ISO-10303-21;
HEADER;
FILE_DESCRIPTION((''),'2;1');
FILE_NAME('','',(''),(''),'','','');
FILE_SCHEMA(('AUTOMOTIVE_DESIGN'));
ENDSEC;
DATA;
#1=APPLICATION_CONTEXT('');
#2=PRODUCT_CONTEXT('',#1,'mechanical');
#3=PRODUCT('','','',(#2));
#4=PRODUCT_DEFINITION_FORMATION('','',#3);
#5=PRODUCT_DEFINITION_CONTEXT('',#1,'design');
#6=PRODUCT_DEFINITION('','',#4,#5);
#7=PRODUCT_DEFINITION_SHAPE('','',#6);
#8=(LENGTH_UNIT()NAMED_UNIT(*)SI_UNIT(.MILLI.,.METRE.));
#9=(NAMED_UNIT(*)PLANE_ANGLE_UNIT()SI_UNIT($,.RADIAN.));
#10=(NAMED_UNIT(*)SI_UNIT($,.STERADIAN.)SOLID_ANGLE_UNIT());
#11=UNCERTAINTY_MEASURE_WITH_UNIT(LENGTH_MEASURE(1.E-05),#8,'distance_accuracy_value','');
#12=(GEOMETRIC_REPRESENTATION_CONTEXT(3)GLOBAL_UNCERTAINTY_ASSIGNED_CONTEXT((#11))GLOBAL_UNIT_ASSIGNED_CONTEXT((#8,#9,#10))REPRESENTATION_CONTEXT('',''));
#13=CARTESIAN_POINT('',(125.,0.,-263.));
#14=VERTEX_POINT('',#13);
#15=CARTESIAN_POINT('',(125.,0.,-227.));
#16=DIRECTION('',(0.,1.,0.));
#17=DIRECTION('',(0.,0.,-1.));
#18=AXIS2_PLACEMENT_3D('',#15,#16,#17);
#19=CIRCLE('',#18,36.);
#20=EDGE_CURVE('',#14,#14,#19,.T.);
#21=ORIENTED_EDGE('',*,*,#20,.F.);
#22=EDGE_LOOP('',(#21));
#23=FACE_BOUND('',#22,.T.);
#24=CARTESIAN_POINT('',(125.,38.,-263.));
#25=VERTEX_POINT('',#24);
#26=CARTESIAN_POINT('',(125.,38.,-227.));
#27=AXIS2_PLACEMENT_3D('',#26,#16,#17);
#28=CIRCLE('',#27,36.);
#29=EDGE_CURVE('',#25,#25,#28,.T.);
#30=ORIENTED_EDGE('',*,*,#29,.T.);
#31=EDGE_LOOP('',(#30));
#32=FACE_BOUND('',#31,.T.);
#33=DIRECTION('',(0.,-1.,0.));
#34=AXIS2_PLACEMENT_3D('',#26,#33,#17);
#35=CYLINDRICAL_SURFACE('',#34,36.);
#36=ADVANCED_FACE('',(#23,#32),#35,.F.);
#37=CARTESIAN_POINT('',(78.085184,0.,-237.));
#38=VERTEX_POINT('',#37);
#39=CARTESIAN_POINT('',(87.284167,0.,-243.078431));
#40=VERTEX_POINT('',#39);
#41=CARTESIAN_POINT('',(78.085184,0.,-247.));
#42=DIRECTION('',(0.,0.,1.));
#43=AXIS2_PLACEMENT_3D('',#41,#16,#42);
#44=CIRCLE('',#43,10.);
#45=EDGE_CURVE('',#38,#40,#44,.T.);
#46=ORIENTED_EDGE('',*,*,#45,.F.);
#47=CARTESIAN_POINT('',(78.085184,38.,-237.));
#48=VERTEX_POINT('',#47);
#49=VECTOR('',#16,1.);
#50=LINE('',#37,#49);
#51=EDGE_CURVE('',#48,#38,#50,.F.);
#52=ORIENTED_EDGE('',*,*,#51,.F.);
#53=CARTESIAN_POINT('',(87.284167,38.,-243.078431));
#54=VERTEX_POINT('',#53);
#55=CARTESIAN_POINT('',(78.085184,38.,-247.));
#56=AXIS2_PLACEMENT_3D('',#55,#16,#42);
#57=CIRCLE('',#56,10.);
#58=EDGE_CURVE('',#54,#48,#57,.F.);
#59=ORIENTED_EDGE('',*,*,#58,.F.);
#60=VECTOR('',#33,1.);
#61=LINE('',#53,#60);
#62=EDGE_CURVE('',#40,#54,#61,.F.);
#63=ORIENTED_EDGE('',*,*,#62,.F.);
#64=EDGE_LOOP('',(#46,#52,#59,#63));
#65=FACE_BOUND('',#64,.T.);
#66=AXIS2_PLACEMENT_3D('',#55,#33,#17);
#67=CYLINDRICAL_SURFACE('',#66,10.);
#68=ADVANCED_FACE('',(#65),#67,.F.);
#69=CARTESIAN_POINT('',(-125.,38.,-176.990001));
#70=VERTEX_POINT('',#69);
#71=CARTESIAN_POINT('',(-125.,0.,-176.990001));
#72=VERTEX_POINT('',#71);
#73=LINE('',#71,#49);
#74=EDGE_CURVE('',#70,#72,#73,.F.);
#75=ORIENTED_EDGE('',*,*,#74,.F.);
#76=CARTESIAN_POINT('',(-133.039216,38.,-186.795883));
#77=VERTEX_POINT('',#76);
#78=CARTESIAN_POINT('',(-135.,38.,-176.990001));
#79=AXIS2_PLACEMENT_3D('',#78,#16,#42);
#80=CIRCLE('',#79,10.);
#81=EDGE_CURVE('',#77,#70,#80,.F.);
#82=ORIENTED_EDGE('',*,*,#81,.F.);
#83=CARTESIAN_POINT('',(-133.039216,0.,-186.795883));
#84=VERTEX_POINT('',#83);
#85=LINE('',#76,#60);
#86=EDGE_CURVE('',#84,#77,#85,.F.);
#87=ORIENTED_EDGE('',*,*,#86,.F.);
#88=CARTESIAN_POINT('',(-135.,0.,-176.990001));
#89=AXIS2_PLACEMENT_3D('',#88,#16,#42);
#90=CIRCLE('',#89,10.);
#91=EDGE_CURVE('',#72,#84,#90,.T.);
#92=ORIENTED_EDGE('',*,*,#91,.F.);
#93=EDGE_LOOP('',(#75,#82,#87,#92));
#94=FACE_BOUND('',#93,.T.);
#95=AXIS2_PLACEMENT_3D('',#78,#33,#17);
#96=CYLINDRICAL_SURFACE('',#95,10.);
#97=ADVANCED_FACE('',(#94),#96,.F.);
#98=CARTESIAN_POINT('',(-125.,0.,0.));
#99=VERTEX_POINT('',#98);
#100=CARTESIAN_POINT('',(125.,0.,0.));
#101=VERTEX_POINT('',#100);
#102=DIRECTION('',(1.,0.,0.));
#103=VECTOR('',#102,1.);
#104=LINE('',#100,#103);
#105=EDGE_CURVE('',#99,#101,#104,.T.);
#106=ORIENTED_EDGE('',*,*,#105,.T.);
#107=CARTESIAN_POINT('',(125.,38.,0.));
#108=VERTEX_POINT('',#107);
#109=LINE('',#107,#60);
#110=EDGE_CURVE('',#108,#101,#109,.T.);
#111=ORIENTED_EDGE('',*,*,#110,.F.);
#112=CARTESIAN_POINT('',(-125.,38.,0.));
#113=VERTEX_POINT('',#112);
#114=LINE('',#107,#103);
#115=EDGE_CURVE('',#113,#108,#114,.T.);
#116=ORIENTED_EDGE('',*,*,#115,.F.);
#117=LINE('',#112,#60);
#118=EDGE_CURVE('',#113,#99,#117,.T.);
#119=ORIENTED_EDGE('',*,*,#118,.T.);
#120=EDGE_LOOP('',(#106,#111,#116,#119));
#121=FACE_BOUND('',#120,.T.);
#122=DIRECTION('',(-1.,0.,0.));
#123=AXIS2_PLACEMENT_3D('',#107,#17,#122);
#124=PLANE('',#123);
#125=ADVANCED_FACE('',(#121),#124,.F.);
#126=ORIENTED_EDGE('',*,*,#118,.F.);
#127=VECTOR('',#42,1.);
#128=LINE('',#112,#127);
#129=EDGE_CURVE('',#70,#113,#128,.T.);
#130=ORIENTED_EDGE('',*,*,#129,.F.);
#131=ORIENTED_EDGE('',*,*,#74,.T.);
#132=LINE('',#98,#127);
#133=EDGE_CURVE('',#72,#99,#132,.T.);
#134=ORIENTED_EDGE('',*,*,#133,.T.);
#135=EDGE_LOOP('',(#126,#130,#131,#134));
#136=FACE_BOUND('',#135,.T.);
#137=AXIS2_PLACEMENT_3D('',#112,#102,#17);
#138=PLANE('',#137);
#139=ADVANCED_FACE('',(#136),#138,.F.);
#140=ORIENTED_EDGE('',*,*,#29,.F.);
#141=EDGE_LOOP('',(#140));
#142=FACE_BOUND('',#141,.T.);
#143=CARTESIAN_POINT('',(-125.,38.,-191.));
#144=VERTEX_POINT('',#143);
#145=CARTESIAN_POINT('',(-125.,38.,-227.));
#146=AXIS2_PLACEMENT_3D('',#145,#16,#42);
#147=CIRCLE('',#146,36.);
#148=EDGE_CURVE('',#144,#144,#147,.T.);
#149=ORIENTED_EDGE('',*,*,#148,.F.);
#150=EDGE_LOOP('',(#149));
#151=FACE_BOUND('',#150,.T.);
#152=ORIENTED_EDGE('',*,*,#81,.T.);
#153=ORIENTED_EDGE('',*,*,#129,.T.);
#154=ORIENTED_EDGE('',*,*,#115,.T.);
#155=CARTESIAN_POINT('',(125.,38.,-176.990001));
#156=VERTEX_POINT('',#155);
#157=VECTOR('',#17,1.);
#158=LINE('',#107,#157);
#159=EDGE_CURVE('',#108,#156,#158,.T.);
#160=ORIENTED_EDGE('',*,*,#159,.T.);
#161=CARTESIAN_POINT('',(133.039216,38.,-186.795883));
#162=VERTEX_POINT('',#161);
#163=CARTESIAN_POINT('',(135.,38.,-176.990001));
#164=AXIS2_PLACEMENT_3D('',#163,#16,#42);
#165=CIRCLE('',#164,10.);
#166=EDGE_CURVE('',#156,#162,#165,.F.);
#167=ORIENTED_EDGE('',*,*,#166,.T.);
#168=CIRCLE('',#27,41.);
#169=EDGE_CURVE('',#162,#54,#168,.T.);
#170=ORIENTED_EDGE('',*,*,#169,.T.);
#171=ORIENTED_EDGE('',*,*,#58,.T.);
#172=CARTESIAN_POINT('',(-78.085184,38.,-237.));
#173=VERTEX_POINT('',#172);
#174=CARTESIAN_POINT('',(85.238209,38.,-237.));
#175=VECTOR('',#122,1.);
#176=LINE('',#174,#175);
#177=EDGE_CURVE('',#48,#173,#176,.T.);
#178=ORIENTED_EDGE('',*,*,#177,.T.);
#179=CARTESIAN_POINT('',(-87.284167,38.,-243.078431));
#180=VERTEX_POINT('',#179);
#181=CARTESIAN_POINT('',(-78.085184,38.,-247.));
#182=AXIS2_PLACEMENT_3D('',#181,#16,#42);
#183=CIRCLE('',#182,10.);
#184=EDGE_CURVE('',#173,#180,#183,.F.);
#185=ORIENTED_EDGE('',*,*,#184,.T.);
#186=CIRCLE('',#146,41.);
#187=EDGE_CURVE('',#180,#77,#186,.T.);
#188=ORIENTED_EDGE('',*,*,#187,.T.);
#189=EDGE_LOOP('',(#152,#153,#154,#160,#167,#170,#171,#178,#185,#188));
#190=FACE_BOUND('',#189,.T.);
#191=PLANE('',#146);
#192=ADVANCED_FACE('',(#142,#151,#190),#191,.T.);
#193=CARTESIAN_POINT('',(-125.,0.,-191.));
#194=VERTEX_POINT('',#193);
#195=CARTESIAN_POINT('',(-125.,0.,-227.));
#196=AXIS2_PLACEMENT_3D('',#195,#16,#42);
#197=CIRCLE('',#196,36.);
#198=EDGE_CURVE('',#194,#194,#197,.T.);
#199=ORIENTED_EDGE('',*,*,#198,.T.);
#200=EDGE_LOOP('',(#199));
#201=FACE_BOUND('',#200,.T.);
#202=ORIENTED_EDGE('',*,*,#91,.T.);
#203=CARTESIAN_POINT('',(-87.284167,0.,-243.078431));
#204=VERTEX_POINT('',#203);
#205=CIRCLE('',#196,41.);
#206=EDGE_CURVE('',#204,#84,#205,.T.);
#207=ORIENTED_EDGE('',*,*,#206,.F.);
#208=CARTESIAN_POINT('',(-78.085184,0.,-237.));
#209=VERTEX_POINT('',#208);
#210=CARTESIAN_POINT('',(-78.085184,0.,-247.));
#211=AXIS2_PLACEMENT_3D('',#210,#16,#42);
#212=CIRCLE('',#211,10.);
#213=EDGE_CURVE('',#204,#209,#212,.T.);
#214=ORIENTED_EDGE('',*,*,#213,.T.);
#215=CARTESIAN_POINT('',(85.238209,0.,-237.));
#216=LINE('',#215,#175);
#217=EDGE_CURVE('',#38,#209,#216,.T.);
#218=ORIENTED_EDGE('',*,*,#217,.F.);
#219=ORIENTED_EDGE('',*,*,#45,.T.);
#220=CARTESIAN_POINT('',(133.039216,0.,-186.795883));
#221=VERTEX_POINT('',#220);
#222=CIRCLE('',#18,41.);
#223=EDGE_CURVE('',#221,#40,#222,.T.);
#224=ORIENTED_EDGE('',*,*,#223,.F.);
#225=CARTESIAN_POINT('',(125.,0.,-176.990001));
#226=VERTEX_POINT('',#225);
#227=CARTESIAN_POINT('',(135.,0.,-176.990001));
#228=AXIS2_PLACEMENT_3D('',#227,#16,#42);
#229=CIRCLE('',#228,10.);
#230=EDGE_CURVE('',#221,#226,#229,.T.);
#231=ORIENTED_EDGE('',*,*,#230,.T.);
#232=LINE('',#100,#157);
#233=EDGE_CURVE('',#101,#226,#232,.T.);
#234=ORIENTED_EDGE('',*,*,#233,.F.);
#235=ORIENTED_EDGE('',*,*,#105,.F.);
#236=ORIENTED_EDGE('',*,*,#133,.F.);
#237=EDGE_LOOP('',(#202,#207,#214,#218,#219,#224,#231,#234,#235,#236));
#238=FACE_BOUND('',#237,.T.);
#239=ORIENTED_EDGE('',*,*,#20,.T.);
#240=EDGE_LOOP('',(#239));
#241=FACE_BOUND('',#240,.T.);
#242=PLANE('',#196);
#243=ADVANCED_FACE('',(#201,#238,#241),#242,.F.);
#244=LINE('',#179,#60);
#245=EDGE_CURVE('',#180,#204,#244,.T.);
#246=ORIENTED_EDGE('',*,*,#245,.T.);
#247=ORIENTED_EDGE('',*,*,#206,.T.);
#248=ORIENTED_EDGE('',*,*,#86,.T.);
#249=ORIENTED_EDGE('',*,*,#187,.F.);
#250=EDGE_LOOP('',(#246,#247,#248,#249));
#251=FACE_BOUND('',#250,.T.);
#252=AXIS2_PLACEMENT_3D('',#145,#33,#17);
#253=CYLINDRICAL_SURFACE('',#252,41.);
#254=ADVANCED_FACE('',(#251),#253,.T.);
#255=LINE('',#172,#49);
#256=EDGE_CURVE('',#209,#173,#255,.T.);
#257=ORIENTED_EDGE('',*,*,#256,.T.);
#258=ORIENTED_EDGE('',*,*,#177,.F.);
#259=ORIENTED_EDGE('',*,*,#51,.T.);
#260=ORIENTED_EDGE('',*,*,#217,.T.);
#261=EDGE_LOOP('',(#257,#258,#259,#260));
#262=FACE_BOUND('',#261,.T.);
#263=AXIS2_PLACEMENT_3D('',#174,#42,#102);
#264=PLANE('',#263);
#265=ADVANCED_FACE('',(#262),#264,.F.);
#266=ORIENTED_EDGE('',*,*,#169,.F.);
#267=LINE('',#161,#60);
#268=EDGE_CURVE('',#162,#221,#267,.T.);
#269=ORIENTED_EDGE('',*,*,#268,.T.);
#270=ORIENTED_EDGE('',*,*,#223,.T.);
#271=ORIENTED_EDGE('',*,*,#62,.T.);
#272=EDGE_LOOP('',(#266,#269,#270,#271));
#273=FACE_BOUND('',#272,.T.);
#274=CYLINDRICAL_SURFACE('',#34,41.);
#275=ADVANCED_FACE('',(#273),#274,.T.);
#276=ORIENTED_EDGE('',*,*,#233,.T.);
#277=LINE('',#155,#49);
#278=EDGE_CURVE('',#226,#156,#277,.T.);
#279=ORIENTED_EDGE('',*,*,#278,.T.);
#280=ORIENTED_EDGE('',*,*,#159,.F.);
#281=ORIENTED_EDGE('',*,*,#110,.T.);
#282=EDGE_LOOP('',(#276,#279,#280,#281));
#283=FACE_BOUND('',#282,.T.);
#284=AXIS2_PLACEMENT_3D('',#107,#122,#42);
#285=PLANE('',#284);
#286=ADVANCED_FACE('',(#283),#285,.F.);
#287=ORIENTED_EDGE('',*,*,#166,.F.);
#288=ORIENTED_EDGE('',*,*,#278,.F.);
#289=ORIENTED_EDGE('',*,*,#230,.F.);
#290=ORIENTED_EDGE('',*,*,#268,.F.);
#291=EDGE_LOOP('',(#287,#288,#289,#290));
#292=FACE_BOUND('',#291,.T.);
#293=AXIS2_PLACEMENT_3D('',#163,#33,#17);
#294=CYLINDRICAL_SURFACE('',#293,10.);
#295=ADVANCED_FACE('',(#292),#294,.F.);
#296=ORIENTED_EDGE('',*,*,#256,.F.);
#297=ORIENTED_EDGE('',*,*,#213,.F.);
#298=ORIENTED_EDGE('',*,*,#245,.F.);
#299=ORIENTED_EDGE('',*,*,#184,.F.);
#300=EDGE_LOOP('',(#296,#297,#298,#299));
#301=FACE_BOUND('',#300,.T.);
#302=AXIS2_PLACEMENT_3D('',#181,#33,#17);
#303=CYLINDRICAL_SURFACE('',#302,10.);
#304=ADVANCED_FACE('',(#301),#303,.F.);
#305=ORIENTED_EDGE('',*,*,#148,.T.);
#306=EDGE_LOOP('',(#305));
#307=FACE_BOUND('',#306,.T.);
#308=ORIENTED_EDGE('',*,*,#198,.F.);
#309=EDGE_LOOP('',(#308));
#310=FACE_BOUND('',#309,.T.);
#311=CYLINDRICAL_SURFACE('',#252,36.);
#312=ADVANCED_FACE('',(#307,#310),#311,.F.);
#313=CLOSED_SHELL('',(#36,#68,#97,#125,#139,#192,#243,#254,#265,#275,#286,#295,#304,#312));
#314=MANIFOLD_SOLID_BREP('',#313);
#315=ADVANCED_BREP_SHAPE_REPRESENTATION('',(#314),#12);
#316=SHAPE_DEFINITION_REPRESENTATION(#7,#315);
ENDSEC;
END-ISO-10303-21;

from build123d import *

# Parameters (mm, degrees)
SKETCH1_R           = 36
BOSS_EXTRUDE1_DEPTH = 38
FILLET1_R           = 10


with BuildPart() as part:
    # Sketch1 → Boss-Extrude1 (new body)
    with BuildSketch(Plane(origin=(0, 0, 0), x_dir=(1, 0, 0), z_dir=(0, 1, 0))):
        with BuildLine():
            Line((125, 0), (-125, 0))
            Line((-125, 0), (-125, 186))
            ThreePointArc((-125, 186), (-157.334192428, 252.209125332), (-85.238209296, 237))
            Line((-85.238209296, 237), (85.238209296, 237))
            ThreePointArc((85.238209296, 237), (157.334192428, 252.209125332), (125, 186))
            Line((125, 186), (125, 0))
        make_face()
        with Locations((-125, 227)):
            Circle(SKETCH1_R, mode=Mode.SUBTRACT)
        with Locations((125, 227)):
            Circle(SKETCH1_R, mode=Mode.SUBTRACT)
    extrude(amount=BOSS_EXTRUDE1_DEPTH)

    # Fillet1
    fillet1_edges = [part.edges().sort_by_distance(p)[0] for p in [
        (-125, 19, -186),
        (-85.238209296, 19, -237),
        (85.238209296, 19, -237),
        (125, 19, -186),
    ]]
    fillet(fillet1_edges, radius=FILLET1_R)


solid = part.part
